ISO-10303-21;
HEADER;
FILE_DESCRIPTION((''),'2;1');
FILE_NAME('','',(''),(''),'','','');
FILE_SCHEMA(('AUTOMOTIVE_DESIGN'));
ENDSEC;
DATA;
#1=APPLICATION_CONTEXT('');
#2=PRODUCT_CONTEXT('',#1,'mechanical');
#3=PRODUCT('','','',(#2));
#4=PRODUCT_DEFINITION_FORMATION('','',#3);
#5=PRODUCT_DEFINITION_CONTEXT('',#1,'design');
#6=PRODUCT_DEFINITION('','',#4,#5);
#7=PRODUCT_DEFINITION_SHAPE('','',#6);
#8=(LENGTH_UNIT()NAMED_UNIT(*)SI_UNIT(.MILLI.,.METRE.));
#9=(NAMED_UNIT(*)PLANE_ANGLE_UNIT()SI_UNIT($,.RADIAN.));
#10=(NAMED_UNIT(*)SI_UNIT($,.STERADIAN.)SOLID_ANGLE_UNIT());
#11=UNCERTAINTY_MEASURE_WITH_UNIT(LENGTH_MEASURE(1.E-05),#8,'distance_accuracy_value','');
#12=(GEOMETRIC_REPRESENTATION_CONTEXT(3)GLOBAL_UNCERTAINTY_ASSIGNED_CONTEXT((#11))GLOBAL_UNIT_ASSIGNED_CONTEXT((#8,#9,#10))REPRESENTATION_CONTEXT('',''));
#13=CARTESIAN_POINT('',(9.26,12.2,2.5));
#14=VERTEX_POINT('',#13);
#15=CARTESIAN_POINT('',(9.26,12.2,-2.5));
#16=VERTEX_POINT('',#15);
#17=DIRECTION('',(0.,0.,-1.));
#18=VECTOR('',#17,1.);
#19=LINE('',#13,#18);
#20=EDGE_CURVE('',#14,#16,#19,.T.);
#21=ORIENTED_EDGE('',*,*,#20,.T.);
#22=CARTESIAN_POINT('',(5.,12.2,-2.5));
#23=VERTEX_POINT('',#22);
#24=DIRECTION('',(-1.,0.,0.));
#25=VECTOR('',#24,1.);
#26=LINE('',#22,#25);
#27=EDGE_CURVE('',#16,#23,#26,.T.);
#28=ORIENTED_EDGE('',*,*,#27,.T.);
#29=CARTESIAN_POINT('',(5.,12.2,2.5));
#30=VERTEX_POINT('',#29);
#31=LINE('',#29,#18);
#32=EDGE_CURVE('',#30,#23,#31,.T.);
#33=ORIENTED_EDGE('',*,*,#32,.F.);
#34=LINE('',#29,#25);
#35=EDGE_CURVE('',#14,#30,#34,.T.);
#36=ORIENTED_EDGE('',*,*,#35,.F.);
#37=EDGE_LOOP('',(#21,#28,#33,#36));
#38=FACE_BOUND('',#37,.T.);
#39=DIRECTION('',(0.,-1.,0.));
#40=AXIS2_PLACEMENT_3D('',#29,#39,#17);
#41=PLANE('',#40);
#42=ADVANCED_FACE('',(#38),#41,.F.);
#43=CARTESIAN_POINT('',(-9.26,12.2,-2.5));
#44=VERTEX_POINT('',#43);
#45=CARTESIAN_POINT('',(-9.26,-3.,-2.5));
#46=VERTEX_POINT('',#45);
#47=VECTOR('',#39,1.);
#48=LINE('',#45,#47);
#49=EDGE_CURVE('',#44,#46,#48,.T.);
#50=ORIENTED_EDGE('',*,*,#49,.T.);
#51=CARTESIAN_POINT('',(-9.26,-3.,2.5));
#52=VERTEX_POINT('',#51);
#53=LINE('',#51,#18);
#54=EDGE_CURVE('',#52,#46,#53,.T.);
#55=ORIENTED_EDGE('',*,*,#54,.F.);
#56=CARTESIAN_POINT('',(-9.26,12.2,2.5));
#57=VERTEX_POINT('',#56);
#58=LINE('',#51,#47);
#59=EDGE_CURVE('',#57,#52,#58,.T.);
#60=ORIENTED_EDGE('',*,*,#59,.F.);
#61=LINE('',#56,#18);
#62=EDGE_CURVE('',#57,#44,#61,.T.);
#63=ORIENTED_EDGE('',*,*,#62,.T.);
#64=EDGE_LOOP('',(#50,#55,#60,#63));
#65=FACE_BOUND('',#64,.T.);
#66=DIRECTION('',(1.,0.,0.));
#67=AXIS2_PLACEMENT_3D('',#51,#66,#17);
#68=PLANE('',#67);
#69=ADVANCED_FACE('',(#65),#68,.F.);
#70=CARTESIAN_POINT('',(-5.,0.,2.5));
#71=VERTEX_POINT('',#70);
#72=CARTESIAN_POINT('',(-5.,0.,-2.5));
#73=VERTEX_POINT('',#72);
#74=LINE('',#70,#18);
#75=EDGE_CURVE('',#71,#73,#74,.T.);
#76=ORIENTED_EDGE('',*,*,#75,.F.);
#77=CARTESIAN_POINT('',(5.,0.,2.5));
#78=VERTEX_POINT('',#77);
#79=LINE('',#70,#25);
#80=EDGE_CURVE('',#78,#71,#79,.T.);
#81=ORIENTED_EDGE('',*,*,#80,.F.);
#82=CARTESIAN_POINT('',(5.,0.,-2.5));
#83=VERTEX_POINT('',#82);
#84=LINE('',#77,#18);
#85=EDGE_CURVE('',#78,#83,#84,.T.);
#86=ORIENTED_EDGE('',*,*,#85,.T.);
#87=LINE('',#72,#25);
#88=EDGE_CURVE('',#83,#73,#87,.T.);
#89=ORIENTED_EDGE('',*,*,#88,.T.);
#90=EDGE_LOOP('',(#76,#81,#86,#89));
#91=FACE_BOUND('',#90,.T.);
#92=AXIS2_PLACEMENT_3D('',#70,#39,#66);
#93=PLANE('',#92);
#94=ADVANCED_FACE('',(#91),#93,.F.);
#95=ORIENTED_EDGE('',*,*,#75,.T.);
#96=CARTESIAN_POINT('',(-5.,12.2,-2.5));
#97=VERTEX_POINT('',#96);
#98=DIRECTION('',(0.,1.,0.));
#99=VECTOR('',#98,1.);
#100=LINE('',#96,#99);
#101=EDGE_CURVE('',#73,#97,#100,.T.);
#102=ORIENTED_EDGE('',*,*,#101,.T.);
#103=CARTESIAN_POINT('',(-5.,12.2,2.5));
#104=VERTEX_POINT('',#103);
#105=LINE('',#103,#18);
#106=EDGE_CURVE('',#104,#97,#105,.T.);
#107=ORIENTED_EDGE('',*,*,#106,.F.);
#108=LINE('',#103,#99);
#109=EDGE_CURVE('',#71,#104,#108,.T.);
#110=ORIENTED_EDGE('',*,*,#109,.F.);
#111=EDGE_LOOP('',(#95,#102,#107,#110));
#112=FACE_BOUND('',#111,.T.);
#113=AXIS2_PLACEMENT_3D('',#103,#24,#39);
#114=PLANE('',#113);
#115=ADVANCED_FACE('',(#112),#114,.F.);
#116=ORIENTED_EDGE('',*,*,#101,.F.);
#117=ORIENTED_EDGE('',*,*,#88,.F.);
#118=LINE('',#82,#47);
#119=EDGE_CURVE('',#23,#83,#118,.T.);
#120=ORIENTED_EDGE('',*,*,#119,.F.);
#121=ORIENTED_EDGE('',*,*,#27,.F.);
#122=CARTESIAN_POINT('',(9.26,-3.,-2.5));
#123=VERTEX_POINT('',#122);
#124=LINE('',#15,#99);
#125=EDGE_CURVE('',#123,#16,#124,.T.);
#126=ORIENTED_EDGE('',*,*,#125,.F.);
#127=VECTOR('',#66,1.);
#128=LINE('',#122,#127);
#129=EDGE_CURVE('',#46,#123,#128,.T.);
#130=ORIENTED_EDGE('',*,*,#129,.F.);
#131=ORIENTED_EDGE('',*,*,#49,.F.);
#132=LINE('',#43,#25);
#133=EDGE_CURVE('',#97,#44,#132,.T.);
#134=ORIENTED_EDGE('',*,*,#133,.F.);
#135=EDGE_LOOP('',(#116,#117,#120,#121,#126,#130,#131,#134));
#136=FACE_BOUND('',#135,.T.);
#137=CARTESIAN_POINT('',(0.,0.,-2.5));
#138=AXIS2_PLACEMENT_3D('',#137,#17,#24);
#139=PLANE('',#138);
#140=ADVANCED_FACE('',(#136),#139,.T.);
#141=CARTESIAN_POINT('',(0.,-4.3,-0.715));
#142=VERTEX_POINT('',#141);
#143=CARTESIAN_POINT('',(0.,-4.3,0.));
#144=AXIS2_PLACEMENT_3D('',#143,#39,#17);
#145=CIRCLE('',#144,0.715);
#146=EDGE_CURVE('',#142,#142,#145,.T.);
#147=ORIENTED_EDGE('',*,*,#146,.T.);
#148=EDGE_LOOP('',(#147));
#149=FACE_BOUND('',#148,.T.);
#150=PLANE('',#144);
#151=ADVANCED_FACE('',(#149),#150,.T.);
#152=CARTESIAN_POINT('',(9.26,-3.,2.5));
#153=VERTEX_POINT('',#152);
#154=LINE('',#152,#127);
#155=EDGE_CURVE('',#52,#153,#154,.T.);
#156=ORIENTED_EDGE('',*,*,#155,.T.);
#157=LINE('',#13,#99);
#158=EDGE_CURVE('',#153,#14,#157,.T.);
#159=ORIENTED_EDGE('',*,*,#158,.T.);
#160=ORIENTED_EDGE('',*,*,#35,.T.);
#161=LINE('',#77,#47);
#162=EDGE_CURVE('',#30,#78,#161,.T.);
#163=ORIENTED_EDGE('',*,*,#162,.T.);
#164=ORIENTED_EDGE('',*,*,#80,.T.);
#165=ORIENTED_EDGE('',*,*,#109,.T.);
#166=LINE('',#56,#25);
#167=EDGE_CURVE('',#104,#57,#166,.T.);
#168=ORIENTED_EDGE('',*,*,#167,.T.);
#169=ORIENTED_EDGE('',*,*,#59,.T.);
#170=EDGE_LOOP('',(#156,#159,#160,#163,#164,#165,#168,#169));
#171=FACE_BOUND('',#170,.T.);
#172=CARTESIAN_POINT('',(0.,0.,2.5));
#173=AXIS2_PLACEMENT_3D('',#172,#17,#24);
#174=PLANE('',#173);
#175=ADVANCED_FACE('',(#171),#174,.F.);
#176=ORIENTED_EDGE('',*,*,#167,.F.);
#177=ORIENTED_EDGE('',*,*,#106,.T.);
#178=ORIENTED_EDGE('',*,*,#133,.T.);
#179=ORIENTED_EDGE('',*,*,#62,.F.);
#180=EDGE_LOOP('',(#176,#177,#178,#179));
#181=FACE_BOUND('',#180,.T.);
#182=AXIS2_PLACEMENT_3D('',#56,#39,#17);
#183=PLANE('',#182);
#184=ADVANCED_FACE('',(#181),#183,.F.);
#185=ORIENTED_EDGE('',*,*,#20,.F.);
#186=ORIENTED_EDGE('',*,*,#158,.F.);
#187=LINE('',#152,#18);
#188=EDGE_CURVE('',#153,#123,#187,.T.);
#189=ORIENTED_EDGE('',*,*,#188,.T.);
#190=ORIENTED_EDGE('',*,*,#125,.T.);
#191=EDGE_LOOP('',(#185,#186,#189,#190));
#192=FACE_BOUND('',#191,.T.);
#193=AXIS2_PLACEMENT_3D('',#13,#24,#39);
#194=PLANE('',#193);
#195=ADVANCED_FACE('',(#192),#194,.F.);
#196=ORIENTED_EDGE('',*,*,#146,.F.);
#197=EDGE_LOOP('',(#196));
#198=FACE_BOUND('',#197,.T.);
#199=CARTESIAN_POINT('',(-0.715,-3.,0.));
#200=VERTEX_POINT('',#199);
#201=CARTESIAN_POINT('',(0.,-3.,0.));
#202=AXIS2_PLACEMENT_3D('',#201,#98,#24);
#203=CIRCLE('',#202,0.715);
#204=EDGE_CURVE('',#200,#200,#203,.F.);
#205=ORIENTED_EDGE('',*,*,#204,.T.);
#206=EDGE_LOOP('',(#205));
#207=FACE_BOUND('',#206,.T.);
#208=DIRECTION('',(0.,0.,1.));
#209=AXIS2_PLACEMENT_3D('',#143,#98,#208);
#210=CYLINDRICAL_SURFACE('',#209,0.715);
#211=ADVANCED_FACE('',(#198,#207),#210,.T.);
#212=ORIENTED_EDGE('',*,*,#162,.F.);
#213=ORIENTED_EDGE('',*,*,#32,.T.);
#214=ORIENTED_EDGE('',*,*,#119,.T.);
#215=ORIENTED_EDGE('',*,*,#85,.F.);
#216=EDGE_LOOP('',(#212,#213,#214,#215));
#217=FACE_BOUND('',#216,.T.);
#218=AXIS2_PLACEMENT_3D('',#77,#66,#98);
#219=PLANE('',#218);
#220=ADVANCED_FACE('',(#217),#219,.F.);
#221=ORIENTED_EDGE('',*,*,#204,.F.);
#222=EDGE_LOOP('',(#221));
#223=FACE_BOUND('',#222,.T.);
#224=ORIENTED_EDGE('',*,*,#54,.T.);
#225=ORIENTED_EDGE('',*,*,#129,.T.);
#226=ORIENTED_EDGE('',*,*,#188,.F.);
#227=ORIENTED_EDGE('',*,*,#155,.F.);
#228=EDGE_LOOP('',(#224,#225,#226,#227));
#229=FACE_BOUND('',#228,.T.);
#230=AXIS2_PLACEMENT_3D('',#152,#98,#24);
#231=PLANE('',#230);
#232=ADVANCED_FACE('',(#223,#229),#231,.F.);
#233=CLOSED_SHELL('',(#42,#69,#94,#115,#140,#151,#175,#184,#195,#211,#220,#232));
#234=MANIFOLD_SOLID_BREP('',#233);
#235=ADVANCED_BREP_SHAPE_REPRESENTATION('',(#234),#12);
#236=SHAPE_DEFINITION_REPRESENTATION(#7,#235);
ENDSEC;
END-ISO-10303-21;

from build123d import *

# Parameters (mm, degrees)
BOSS_EXTRUDE1_DEPTH = 2.5
SKETCH2_R           = 0.715
BOSS_EXTRUDE2_DEPTH = 1.3


with BuildPart() as part:
    # Sketch1 → Boss-Extrude1 (new body, symmetric)
    with BuildSketch(Plane.XY):
        Polygon((-9.26, -3), (-9.26, 12.2), (-5, 12.2), (-5, 0), (5, 0), (5, 12.2), (9.26, 12.2), (9.26, -3), align=None)
    extrude(amount=BOSS_EXTRUDE1_DEPTH, both=True)

    # Sketch2 → Boss-Extrude2 (add)
    with BuildSketch(Plane.XZ.offset(3)):
        Circle(SKETCH2_R)
    extrude(amount=BOSS_EXTRUDE2_DEPTH)


solid = part.part
